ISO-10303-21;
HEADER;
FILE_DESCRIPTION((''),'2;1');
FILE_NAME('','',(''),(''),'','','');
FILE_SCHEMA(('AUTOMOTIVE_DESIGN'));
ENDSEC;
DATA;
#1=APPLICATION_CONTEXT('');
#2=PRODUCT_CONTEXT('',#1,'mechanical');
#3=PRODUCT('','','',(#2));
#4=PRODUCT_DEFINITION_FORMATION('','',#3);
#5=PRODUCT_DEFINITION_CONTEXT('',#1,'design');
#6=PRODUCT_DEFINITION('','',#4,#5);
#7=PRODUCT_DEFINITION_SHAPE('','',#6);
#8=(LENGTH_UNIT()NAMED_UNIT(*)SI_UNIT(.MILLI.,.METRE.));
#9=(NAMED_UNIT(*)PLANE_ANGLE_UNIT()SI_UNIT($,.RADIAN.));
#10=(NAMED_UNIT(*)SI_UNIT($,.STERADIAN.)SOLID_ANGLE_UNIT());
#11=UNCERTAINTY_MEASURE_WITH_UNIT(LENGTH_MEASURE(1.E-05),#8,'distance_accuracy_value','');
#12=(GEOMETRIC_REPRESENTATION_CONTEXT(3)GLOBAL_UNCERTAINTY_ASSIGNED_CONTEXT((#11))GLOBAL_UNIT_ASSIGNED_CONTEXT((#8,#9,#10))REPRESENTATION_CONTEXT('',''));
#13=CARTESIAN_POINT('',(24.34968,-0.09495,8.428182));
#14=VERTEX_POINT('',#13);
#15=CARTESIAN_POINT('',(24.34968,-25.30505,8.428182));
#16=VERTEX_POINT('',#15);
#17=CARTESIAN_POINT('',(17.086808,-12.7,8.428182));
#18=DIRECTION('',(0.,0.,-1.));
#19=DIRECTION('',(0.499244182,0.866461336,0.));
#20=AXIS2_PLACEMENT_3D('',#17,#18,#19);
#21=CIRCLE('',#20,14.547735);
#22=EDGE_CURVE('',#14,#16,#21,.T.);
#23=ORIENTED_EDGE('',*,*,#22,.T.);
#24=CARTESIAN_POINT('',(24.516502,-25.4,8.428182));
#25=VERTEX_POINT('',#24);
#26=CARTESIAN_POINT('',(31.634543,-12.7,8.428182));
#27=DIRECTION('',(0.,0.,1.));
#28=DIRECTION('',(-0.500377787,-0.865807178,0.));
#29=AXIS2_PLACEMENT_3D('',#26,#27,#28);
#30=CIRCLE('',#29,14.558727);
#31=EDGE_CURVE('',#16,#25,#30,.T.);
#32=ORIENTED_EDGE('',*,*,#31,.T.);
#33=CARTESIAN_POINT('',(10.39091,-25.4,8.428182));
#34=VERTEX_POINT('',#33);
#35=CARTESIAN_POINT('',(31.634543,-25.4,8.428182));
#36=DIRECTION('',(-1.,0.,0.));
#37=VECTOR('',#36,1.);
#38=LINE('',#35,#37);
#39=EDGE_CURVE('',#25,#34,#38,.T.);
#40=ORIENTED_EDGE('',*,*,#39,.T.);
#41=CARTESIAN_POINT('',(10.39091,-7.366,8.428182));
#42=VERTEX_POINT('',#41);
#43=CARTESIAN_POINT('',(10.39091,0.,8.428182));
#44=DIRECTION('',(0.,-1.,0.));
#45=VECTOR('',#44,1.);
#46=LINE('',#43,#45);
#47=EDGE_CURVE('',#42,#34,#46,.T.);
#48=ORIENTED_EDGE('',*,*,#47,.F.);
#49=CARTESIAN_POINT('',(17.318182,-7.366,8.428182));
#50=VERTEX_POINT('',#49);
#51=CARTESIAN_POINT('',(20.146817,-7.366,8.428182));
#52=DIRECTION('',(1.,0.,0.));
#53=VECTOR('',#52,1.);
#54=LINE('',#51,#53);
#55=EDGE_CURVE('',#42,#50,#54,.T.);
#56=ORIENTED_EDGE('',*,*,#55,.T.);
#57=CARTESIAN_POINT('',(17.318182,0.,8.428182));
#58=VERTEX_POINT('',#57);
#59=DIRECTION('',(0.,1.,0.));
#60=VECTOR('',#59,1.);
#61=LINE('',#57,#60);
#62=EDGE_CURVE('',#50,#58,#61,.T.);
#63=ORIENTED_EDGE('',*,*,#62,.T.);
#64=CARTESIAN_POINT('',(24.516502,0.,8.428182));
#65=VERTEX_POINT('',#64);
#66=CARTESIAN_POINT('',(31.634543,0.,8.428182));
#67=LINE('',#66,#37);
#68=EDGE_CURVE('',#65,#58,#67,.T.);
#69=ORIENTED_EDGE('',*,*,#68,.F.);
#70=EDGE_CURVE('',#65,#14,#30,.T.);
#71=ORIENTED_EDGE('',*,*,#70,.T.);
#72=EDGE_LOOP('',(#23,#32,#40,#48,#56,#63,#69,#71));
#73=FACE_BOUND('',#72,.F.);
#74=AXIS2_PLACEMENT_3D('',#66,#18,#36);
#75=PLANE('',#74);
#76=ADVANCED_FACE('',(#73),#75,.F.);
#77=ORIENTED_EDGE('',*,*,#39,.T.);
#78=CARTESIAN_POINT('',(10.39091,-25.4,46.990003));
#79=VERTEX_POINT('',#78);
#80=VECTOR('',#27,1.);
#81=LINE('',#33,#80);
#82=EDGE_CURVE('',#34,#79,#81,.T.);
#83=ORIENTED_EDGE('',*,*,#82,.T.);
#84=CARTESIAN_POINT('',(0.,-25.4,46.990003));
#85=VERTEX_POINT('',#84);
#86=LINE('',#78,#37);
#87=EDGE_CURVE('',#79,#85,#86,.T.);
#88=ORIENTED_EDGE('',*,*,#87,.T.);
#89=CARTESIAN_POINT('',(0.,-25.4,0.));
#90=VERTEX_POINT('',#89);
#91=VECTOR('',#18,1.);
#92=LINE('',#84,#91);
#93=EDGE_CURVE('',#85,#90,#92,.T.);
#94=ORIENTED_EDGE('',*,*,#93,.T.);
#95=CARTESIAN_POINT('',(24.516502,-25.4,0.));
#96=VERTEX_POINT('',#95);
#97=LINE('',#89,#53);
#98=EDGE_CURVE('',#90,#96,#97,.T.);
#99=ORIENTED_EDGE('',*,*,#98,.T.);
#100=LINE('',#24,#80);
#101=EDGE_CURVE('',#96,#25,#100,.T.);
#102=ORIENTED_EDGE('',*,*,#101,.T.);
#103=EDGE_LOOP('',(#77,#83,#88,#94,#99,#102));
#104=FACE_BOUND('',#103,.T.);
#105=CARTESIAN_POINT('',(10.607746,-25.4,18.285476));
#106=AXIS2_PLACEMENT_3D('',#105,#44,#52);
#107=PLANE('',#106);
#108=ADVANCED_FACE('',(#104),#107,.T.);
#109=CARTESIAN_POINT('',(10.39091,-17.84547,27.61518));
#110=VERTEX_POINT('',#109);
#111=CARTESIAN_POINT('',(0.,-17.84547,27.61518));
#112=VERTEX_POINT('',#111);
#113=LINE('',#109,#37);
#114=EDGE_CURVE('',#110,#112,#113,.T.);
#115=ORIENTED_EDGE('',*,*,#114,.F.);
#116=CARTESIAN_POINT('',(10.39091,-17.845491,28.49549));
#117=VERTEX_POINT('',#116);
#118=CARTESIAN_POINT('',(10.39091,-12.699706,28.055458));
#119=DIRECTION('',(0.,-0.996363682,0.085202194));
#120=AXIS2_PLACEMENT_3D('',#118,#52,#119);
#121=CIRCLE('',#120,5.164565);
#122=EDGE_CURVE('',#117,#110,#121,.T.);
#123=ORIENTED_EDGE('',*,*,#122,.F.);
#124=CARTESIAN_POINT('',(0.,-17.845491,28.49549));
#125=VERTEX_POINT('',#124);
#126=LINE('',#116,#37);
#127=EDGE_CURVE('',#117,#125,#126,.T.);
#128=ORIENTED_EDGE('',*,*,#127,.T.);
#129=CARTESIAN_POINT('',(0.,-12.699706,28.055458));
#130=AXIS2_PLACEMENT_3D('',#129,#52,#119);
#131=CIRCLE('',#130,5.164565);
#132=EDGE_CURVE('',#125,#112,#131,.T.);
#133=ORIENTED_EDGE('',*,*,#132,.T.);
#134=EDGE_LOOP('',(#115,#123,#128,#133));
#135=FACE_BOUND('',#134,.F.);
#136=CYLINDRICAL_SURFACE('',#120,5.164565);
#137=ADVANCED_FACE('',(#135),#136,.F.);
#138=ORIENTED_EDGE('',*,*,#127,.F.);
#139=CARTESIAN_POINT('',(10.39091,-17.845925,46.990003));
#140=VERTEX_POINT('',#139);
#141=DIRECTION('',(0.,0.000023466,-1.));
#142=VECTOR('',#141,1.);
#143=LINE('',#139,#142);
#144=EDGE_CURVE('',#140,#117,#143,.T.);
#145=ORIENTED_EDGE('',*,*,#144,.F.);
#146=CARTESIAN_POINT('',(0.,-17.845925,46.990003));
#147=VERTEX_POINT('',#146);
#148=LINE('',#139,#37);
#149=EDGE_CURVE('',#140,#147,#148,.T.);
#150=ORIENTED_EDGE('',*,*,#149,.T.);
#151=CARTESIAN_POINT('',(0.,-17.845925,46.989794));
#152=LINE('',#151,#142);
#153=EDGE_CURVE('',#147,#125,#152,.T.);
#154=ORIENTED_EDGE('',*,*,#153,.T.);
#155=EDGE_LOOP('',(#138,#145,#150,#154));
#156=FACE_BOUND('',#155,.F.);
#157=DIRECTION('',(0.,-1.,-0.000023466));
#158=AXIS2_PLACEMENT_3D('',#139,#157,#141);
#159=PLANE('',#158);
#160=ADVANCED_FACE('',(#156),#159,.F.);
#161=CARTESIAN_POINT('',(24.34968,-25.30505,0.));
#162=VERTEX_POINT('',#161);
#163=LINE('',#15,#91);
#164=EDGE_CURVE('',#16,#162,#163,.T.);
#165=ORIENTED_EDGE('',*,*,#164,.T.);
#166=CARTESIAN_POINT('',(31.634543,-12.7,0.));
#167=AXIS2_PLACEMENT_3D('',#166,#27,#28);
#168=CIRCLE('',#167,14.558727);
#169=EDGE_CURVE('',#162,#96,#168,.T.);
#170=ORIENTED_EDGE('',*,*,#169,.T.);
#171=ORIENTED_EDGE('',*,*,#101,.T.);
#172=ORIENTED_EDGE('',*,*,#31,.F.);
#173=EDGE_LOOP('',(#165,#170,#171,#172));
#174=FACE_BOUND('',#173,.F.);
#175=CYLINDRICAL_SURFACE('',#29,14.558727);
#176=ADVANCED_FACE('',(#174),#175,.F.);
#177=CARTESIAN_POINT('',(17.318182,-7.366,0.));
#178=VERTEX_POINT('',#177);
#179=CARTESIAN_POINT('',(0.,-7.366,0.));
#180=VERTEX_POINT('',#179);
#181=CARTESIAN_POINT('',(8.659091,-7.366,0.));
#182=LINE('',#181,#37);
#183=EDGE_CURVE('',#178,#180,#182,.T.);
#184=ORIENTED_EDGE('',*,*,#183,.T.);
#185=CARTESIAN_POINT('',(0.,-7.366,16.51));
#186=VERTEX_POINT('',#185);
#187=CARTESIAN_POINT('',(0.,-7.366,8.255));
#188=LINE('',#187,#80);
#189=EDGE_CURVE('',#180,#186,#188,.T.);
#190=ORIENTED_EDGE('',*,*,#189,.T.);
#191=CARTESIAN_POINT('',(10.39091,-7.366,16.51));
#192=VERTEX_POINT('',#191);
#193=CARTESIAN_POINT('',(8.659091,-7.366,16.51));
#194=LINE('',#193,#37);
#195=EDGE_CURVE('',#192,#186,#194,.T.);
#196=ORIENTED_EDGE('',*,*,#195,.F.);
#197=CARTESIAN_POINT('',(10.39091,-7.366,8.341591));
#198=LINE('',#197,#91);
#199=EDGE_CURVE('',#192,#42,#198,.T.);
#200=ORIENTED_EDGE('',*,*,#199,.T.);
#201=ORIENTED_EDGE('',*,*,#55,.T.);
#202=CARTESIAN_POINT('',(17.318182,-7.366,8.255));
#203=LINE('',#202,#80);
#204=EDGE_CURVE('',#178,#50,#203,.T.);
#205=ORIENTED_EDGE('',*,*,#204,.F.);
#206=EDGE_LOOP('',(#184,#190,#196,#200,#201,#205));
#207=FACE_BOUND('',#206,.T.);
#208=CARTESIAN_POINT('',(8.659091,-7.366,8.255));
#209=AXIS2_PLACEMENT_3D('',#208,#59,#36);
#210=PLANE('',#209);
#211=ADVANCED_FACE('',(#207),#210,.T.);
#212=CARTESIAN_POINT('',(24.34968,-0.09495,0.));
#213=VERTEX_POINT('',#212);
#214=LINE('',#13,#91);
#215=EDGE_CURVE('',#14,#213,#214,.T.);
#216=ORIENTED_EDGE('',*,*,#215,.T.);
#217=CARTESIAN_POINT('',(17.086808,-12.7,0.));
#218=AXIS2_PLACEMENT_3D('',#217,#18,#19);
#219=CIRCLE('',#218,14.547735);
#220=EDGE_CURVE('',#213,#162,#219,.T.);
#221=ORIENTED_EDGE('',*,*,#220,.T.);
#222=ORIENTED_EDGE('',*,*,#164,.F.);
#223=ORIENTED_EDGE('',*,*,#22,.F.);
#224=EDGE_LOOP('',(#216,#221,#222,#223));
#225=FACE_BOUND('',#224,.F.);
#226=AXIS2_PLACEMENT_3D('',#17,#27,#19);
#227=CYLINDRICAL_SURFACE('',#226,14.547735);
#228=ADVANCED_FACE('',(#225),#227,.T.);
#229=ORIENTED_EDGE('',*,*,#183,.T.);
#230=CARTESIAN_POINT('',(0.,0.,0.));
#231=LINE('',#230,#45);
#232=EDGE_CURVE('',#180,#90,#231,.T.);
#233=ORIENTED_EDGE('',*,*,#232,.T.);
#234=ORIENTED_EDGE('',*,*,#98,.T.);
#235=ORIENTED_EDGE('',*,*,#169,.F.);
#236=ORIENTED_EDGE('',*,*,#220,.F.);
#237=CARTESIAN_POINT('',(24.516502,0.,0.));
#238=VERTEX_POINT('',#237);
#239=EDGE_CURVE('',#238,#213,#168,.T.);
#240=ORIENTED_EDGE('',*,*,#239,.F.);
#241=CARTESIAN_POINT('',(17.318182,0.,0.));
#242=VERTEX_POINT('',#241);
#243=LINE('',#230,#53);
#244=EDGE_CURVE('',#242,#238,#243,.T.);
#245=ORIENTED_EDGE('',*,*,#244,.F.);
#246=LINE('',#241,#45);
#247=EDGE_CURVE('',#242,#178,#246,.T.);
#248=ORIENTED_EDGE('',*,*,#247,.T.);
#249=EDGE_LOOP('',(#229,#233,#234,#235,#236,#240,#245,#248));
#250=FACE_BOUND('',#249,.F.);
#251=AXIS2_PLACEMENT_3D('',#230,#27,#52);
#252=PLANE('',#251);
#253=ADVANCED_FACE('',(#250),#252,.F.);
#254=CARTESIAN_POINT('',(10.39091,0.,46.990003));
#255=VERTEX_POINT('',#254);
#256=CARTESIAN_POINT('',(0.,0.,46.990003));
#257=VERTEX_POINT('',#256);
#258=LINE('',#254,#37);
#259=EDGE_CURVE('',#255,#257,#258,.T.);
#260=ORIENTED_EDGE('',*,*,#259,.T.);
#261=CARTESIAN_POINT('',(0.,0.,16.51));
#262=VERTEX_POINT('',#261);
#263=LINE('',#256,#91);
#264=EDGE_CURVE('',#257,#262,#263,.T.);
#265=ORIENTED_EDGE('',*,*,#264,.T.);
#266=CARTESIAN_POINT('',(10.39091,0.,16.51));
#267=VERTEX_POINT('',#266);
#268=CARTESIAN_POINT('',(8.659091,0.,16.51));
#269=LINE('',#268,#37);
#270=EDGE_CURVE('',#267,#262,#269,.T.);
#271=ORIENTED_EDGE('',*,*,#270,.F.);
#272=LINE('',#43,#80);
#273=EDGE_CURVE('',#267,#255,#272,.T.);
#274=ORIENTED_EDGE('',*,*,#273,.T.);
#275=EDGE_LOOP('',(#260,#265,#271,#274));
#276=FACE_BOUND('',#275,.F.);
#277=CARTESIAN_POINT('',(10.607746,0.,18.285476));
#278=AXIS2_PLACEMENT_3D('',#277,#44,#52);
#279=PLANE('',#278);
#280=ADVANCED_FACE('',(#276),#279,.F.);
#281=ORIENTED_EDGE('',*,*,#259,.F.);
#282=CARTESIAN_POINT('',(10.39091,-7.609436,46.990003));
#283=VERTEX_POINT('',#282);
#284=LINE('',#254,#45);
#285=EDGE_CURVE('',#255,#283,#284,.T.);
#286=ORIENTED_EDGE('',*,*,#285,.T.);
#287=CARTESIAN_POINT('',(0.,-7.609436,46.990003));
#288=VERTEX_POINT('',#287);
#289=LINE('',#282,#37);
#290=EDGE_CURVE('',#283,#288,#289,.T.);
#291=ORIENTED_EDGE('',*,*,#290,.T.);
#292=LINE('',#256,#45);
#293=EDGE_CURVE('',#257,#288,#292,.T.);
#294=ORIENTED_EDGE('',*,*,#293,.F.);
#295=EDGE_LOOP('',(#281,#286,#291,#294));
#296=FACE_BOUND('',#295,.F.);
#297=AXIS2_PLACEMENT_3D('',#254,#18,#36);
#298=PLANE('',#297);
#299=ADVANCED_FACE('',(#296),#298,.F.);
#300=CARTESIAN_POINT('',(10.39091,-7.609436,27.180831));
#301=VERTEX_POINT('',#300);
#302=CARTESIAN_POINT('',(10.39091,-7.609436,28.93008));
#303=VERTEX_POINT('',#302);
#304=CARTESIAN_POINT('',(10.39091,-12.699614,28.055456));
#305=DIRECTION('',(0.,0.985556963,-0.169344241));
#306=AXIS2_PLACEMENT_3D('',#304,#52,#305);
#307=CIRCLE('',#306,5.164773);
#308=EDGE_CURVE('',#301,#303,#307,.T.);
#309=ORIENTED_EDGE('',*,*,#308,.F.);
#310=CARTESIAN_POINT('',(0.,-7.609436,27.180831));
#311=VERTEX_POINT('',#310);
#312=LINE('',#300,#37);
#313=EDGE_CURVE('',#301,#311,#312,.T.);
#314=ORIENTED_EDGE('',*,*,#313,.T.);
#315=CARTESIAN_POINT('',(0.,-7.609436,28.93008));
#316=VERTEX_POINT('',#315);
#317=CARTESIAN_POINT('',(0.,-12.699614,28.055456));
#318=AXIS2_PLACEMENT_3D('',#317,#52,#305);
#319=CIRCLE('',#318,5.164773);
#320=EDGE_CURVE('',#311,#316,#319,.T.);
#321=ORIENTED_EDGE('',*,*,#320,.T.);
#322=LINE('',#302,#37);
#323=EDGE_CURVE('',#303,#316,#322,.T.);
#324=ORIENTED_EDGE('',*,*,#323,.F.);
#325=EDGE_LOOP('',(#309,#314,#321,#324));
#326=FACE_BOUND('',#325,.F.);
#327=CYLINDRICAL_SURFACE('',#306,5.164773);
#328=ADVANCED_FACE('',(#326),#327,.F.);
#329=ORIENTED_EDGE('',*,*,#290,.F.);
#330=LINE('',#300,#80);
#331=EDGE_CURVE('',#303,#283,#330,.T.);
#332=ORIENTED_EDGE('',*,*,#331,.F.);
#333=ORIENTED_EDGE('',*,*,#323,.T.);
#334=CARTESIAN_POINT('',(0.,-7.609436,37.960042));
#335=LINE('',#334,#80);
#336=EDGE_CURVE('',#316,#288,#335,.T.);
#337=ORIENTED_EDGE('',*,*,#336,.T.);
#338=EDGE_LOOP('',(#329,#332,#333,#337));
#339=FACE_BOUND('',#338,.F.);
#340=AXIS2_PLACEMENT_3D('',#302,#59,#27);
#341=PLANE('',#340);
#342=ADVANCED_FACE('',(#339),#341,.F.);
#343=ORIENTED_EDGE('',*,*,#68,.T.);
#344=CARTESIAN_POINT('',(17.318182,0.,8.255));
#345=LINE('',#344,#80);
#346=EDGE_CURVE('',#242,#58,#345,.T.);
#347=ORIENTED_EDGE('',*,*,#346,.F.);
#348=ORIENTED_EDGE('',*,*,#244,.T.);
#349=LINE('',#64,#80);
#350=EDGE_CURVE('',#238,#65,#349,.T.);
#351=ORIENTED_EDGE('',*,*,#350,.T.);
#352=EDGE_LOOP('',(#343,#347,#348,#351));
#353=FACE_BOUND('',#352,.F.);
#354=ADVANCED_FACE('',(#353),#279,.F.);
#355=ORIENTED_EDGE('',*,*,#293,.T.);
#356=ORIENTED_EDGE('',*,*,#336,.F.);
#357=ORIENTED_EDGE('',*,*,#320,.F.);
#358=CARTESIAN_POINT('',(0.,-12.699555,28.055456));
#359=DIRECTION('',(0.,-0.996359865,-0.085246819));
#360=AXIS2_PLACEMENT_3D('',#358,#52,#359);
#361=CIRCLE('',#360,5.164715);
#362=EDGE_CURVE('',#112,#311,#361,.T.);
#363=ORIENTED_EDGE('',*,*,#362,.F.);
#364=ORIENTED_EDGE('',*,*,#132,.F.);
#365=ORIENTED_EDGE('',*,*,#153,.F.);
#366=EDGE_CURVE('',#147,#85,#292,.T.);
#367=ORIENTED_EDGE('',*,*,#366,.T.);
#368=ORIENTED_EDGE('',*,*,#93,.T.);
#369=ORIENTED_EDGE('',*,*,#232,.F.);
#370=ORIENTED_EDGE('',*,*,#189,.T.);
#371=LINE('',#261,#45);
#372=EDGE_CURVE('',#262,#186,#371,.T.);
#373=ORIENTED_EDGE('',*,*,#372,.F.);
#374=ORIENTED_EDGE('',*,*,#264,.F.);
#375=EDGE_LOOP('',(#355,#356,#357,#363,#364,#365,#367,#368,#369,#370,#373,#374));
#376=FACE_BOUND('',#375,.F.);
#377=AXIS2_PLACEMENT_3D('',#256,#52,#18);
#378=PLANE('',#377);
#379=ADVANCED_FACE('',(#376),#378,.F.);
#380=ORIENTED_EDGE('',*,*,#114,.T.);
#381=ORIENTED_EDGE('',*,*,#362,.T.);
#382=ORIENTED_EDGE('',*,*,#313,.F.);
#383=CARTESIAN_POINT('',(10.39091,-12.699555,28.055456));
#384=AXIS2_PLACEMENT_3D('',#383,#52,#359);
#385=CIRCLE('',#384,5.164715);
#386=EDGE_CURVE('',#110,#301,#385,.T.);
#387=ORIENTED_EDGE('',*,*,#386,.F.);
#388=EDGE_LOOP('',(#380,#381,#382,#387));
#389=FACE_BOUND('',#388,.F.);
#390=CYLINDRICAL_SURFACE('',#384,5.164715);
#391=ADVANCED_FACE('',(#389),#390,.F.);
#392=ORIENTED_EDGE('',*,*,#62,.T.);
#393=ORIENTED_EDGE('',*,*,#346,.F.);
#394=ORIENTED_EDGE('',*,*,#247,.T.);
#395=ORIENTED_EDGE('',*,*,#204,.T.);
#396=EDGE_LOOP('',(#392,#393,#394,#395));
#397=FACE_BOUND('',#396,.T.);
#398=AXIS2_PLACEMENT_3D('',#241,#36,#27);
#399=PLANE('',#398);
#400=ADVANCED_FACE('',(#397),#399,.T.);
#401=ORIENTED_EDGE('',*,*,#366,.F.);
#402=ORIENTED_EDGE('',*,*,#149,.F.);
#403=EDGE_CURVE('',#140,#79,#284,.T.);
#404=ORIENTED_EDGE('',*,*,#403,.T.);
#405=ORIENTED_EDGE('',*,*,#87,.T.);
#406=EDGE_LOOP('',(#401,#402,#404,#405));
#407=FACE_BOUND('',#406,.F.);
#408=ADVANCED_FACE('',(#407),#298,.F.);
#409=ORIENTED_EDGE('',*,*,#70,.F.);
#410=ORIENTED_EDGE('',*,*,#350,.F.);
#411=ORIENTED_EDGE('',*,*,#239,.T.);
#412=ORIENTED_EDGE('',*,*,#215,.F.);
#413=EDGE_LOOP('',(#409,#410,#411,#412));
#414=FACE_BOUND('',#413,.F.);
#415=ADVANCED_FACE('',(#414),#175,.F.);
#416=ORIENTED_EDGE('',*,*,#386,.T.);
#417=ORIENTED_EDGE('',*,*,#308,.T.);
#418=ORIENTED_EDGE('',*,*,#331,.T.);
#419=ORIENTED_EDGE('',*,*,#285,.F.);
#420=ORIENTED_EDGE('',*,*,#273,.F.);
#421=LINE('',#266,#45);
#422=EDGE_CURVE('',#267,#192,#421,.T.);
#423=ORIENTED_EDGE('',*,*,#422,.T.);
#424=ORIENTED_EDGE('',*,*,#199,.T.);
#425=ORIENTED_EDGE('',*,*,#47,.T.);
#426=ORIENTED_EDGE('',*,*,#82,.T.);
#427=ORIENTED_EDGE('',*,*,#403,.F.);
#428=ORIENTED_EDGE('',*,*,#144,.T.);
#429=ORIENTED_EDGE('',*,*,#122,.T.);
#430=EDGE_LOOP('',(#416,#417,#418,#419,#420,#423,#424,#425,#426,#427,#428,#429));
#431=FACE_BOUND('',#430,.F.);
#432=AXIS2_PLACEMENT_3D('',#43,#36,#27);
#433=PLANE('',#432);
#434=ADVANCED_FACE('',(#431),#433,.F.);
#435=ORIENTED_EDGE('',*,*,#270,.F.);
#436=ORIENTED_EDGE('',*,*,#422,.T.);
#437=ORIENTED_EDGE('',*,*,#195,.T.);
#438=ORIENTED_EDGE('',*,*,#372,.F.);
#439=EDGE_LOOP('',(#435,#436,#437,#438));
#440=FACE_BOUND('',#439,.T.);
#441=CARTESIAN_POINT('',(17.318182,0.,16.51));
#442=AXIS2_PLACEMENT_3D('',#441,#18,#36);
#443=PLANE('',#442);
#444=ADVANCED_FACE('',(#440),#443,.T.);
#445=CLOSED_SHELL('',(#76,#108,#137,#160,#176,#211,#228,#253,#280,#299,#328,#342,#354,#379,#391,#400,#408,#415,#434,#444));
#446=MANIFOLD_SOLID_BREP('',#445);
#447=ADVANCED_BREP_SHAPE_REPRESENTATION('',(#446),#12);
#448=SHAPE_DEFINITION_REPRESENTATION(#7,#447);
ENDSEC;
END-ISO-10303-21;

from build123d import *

# Parameters (mm, degrees)
F1_DEPTH = 25.4
F3_DEPTH = 25.4
F5_DEPTH = 25.4
F6_W     = 17.318182
F6_H     = 16.51
F7_DEPTH = 7.366


with BuildPart() as f1:
    # F0 (on Front) → F1 (new body)
    with BuildSketch(Plane.XZ):
        Polygon((0, 0), (31.634543, 0), (31.634543, 8.428182), (10.39091, 8.428182), (10.39091, 46.990003), (0, 46.990003), align=None)
    extrude(amount=F1_DEPTH)

    # F2 (on face) → F3 (cut)
    with BuildSketch(Plane.XY.offset(8.428182)):
        with BuildLine():
            ThreePointArc((24.34968, -0.09495), (31.634543, -12.7), (24.34968, -25.30505))
            ThreePointArc((24.34968, -25.30505), (46.19327, -12.7), (24.34968, -0.09495))
        make_face()
    extrude(amount=-F3_DEPTH, mode=Mode.SUBTRACT)

    # F4 (on face) → F5 (cut)
    with BuildSketch(Plane.YZ.offset(10.39091)):
        with BuildLine():
            Line((-17.84547, 27.61518), (-17.845491, 28.49549))
            ThreePointArc((-17.845491, 28.49549), (-17.864271, 28.055334), (-17.84547, 27.61518))
        make_face()
        with BuildLine():
            Line((-17.845925, 46.990003), (-17.845491, 28.49549))
            Line((-17.845491, 28.49549), (-17.84547, 27.61518))
            ThreePointArc((-17.84547, 27.61518), (-12.918515, 22.895384), (-7.609436, 27.180831))
            Line((-7.609436, 27.180831), (-7.609436, 28.93008))
            Line((-7.609436, 28.93008), (-7.609436, 46.990003))
            Line((-7.609436, 46.990003), (-17.845925, 46.990003))
        make_face()
        with BuildLine():
            Line((-7.609436, 28.93008), (-7.609436, 27.180831))
            ThreePointArc((-7.609436, 27.180831), (-7.534841, 28.055456), (-7.609436, 28.93008))
        make_face()
    extrude(amount=-F5_DEPTH, mode=Mode.SUBTRACT)

    # F6 (on face) → F7 (cut)
    with BuildSketch(Plane(origin=(0, 0, 0), x_dir=(-1, 0, 0), z_dir=(0, 1, 0))):
        with Locations((-8.659091, 8.255)):
            Rectangle(F6_W, F6_H)
    extrude(amount=-F7_DEPTH, mode=Mode.SUBTRACT)


solid = f1.part
